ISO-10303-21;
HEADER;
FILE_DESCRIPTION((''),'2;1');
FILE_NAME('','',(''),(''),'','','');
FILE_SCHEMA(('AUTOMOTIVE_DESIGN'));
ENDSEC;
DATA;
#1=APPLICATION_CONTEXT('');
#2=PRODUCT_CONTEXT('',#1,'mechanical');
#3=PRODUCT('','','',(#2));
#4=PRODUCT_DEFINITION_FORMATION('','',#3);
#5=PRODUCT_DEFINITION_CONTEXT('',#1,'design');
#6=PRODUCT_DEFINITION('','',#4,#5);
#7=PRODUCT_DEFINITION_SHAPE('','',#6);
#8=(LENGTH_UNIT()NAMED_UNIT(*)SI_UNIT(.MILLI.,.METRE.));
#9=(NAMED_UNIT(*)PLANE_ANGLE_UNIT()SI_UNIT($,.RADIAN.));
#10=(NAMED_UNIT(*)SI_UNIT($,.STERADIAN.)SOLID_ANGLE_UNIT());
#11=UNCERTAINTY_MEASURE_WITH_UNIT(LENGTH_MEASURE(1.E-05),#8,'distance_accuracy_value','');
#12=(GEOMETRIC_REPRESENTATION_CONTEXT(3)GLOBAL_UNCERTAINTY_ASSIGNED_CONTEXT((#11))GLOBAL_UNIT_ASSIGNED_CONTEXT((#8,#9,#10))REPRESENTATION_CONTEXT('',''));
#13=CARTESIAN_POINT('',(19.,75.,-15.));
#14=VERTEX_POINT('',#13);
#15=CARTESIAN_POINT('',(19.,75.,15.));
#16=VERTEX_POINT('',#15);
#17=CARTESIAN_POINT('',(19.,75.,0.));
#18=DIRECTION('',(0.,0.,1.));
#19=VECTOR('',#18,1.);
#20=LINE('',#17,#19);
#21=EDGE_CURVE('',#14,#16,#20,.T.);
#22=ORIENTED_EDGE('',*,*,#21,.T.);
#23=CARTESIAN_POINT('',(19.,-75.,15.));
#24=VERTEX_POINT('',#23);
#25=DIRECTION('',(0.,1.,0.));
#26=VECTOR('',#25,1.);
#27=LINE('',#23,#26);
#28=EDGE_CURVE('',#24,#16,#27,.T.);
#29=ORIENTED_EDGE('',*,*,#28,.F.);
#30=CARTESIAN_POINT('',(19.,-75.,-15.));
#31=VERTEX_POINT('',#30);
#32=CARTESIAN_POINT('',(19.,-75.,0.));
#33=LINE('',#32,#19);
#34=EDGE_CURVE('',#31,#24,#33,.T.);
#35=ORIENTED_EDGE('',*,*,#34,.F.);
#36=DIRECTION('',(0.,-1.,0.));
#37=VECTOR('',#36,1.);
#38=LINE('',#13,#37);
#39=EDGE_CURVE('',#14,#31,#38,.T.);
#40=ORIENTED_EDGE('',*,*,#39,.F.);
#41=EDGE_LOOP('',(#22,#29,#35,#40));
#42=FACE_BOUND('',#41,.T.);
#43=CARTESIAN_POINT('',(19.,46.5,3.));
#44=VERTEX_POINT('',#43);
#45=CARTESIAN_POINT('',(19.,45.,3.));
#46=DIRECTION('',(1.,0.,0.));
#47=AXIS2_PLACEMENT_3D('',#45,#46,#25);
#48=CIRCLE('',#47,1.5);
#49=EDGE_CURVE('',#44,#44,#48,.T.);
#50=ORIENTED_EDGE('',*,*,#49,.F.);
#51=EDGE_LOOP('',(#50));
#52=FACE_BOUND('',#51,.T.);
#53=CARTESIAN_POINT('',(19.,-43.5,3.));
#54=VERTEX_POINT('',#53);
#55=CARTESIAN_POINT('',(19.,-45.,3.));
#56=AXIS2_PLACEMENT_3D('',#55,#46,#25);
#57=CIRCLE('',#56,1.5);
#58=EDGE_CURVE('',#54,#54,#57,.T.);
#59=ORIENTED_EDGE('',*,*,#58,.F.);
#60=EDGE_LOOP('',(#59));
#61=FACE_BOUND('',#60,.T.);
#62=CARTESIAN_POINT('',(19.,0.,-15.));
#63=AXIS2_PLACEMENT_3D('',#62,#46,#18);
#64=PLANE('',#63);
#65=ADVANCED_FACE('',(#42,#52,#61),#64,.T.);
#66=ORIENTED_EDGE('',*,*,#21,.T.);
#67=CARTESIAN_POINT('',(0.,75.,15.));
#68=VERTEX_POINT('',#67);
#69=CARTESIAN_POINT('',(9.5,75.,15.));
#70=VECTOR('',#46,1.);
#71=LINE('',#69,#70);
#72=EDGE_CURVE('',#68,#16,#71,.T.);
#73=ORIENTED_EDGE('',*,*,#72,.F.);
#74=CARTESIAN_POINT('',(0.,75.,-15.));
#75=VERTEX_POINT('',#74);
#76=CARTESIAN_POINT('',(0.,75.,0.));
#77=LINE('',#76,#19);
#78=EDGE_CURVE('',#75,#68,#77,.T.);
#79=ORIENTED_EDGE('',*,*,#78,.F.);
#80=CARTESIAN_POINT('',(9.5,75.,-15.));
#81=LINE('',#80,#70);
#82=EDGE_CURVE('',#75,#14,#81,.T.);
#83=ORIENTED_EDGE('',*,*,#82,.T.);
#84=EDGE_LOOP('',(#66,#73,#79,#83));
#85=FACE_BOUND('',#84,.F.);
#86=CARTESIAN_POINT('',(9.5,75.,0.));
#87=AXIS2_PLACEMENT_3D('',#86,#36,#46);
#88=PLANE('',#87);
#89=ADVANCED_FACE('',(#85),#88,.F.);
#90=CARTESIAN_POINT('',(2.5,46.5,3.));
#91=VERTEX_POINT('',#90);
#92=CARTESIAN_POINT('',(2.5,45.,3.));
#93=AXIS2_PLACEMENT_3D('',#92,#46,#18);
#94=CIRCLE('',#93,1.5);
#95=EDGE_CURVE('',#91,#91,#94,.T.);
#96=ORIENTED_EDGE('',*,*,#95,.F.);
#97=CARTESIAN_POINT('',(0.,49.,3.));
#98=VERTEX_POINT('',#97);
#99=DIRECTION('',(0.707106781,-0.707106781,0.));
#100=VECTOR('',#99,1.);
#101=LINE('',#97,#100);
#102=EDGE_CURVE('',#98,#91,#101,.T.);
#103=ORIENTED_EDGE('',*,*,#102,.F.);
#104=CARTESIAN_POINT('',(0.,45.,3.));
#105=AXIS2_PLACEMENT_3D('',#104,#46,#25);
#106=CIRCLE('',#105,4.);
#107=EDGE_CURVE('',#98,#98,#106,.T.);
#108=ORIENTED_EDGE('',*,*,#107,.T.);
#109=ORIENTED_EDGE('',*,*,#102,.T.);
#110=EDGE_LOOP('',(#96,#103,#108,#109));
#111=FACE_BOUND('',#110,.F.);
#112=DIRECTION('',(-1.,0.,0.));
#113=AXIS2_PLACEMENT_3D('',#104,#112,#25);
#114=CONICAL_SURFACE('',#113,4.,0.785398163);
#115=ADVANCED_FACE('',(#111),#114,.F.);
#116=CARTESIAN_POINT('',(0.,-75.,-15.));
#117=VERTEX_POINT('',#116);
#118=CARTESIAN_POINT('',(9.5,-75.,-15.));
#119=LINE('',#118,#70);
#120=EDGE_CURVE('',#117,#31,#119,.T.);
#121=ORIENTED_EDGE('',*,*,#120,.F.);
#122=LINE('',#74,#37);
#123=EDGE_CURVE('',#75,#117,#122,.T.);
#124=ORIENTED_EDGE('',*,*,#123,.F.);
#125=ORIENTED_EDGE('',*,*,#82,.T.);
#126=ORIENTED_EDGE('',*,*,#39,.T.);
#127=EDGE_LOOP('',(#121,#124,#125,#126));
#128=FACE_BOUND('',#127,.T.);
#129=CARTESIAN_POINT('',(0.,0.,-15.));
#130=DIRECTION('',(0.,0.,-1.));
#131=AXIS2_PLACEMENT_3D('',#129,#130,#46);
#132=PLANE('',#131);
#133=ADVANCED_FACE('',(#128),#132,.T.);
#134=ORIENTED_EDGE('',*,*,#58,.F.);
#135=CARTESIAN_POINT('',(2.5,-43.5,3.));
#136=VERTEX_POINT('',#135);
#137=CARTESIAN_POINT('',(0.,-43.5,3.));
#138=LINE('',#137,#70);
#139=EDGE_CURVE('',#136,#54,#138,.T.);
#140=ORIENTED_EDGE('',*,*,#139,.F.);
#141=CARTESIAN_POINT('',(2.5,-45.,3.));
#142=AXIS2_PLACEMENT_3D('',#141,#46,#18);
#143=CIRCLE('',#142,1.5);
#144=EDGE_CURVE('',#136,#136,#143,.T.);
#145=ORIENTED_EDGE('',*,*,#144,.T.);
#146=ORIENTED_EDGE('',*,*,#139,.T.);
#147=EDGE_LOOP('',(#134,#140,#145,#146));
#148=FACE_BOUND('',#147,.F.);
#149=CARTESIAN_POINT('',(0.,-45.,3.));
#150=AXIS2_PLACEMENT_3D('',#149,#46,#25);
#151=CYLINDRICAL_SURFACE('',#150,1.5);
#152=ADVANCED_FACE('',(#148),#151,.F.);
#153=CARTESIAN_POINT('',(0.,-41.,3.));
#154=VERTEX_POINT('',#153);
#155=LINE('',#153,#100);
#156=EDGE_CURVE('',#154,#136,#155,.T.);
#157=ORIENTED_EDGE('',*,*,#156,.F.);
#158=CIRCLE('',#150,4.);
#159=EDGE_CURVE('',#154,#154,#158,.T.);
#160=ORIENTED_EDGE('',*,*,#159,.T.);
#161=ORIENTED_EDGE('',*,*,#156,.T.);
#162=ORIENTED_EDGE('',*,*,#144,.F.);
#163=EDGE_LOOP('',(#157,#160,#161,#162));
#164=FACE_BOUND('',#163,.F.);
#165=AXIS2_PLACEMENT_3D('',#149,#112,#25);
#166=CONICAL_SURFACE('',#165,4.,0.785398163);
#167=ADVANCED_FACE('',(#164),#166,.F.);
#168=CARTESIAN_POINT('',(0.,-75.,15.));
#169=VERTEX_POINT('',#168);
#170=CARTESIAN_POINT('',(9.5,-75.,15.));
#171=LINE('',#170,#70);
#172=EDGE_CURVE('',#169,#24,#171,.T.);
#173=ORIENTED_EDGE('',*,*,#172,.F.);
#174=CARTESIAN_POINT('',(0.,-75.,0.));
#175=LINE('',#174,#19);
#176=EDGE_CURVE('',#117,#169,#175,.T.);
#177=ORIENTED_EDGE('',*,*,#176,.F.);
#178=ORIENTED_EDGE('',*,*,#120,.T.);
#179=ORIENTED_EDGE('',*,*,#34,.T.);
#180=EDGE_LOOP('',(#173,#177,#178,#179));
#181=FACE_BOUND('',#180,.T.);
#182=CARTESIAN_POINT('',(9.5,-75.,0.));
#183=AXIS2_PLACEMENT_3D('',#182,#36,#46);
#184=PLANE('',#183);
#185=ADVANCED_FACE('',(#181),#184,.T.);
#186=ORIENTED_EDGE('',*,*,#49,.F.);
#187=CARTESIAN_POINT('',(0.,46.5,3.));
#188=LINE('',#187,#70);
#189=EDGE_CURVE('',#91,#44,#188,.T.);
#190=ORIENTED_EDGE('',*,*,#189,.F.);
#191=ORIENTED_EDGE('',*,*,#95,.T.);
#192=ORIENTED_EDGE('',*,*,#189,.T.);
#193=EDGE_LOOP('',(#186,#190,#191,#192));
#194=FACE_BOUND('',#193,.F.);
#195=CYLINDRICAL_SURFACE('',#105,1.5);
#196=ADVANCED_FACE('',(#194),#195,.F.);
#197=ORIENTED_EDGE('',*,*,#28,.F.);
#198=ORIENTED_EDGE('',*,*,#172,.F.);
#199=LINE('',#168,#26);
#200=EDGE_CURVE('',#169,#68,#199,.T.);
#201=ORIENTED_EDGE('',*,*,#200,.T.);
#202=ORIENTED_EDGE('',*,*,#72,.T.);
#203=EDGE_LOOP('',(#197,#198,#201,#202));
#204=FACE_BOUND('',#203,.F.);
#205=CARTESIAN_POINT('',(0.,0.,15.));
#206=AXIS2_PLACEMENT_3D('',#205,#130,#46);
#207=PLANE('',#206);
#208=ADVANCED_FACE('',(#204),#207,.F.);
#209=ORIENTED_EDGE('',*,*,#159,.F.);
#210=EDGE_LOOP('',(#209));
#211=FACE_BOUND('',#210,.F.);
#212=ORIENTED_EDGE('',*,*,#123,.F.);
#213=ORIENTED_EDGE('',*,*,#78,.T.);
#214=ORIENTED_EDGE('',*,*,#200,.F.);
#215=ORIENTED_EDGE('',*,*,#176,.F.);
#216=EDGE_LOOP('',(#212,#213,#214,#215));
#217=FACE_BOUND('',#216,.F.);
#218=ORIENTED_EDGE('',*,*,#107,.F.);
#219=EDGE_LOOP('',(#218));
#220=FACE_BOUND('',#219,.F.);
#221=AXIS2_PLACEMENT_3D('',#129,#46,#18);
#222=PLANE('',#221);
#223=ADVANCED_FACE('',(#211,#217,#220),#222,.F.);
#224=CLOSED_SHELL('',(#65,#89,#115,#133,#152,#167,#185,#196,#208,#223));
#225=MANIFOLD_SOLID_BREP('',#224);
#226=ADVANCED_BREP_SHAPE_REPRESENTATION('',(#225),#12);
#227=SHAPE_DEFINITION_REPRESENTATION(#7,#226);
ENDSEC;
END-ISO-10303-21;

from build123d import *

# Parameters (mm, degrees)
F2_W           = 19
F2_H           = 30
F3_DEPTH       = 75
F5_D           = 3
F5_CSINK_D     = 8
F5_CSINK_ANGLE = 90


with BuildPart() as f3:
    # F2 (on Front) → F3 (new body, symmetric)
    with BuildSketch(Plane.XZ):
        with Locations((9.5, 0)):
            Rectangle(F2_W, F2_H)
    extrude(amount=F3_DEPTH, both=True)

    # F5 (through all)
    with Locations(Plane(origin=(0, 0, 0), x_dir=(0, -1, 0), z_dir=(-1, 0, 0))):
        with Locations((-45, 3), (45, 3)):
            CounterSinkHole(F5_D / 2, F5_CSINK_D / 2, counter_sink_angle=F5_CSINK_ANGLE)


solid = f3.part
